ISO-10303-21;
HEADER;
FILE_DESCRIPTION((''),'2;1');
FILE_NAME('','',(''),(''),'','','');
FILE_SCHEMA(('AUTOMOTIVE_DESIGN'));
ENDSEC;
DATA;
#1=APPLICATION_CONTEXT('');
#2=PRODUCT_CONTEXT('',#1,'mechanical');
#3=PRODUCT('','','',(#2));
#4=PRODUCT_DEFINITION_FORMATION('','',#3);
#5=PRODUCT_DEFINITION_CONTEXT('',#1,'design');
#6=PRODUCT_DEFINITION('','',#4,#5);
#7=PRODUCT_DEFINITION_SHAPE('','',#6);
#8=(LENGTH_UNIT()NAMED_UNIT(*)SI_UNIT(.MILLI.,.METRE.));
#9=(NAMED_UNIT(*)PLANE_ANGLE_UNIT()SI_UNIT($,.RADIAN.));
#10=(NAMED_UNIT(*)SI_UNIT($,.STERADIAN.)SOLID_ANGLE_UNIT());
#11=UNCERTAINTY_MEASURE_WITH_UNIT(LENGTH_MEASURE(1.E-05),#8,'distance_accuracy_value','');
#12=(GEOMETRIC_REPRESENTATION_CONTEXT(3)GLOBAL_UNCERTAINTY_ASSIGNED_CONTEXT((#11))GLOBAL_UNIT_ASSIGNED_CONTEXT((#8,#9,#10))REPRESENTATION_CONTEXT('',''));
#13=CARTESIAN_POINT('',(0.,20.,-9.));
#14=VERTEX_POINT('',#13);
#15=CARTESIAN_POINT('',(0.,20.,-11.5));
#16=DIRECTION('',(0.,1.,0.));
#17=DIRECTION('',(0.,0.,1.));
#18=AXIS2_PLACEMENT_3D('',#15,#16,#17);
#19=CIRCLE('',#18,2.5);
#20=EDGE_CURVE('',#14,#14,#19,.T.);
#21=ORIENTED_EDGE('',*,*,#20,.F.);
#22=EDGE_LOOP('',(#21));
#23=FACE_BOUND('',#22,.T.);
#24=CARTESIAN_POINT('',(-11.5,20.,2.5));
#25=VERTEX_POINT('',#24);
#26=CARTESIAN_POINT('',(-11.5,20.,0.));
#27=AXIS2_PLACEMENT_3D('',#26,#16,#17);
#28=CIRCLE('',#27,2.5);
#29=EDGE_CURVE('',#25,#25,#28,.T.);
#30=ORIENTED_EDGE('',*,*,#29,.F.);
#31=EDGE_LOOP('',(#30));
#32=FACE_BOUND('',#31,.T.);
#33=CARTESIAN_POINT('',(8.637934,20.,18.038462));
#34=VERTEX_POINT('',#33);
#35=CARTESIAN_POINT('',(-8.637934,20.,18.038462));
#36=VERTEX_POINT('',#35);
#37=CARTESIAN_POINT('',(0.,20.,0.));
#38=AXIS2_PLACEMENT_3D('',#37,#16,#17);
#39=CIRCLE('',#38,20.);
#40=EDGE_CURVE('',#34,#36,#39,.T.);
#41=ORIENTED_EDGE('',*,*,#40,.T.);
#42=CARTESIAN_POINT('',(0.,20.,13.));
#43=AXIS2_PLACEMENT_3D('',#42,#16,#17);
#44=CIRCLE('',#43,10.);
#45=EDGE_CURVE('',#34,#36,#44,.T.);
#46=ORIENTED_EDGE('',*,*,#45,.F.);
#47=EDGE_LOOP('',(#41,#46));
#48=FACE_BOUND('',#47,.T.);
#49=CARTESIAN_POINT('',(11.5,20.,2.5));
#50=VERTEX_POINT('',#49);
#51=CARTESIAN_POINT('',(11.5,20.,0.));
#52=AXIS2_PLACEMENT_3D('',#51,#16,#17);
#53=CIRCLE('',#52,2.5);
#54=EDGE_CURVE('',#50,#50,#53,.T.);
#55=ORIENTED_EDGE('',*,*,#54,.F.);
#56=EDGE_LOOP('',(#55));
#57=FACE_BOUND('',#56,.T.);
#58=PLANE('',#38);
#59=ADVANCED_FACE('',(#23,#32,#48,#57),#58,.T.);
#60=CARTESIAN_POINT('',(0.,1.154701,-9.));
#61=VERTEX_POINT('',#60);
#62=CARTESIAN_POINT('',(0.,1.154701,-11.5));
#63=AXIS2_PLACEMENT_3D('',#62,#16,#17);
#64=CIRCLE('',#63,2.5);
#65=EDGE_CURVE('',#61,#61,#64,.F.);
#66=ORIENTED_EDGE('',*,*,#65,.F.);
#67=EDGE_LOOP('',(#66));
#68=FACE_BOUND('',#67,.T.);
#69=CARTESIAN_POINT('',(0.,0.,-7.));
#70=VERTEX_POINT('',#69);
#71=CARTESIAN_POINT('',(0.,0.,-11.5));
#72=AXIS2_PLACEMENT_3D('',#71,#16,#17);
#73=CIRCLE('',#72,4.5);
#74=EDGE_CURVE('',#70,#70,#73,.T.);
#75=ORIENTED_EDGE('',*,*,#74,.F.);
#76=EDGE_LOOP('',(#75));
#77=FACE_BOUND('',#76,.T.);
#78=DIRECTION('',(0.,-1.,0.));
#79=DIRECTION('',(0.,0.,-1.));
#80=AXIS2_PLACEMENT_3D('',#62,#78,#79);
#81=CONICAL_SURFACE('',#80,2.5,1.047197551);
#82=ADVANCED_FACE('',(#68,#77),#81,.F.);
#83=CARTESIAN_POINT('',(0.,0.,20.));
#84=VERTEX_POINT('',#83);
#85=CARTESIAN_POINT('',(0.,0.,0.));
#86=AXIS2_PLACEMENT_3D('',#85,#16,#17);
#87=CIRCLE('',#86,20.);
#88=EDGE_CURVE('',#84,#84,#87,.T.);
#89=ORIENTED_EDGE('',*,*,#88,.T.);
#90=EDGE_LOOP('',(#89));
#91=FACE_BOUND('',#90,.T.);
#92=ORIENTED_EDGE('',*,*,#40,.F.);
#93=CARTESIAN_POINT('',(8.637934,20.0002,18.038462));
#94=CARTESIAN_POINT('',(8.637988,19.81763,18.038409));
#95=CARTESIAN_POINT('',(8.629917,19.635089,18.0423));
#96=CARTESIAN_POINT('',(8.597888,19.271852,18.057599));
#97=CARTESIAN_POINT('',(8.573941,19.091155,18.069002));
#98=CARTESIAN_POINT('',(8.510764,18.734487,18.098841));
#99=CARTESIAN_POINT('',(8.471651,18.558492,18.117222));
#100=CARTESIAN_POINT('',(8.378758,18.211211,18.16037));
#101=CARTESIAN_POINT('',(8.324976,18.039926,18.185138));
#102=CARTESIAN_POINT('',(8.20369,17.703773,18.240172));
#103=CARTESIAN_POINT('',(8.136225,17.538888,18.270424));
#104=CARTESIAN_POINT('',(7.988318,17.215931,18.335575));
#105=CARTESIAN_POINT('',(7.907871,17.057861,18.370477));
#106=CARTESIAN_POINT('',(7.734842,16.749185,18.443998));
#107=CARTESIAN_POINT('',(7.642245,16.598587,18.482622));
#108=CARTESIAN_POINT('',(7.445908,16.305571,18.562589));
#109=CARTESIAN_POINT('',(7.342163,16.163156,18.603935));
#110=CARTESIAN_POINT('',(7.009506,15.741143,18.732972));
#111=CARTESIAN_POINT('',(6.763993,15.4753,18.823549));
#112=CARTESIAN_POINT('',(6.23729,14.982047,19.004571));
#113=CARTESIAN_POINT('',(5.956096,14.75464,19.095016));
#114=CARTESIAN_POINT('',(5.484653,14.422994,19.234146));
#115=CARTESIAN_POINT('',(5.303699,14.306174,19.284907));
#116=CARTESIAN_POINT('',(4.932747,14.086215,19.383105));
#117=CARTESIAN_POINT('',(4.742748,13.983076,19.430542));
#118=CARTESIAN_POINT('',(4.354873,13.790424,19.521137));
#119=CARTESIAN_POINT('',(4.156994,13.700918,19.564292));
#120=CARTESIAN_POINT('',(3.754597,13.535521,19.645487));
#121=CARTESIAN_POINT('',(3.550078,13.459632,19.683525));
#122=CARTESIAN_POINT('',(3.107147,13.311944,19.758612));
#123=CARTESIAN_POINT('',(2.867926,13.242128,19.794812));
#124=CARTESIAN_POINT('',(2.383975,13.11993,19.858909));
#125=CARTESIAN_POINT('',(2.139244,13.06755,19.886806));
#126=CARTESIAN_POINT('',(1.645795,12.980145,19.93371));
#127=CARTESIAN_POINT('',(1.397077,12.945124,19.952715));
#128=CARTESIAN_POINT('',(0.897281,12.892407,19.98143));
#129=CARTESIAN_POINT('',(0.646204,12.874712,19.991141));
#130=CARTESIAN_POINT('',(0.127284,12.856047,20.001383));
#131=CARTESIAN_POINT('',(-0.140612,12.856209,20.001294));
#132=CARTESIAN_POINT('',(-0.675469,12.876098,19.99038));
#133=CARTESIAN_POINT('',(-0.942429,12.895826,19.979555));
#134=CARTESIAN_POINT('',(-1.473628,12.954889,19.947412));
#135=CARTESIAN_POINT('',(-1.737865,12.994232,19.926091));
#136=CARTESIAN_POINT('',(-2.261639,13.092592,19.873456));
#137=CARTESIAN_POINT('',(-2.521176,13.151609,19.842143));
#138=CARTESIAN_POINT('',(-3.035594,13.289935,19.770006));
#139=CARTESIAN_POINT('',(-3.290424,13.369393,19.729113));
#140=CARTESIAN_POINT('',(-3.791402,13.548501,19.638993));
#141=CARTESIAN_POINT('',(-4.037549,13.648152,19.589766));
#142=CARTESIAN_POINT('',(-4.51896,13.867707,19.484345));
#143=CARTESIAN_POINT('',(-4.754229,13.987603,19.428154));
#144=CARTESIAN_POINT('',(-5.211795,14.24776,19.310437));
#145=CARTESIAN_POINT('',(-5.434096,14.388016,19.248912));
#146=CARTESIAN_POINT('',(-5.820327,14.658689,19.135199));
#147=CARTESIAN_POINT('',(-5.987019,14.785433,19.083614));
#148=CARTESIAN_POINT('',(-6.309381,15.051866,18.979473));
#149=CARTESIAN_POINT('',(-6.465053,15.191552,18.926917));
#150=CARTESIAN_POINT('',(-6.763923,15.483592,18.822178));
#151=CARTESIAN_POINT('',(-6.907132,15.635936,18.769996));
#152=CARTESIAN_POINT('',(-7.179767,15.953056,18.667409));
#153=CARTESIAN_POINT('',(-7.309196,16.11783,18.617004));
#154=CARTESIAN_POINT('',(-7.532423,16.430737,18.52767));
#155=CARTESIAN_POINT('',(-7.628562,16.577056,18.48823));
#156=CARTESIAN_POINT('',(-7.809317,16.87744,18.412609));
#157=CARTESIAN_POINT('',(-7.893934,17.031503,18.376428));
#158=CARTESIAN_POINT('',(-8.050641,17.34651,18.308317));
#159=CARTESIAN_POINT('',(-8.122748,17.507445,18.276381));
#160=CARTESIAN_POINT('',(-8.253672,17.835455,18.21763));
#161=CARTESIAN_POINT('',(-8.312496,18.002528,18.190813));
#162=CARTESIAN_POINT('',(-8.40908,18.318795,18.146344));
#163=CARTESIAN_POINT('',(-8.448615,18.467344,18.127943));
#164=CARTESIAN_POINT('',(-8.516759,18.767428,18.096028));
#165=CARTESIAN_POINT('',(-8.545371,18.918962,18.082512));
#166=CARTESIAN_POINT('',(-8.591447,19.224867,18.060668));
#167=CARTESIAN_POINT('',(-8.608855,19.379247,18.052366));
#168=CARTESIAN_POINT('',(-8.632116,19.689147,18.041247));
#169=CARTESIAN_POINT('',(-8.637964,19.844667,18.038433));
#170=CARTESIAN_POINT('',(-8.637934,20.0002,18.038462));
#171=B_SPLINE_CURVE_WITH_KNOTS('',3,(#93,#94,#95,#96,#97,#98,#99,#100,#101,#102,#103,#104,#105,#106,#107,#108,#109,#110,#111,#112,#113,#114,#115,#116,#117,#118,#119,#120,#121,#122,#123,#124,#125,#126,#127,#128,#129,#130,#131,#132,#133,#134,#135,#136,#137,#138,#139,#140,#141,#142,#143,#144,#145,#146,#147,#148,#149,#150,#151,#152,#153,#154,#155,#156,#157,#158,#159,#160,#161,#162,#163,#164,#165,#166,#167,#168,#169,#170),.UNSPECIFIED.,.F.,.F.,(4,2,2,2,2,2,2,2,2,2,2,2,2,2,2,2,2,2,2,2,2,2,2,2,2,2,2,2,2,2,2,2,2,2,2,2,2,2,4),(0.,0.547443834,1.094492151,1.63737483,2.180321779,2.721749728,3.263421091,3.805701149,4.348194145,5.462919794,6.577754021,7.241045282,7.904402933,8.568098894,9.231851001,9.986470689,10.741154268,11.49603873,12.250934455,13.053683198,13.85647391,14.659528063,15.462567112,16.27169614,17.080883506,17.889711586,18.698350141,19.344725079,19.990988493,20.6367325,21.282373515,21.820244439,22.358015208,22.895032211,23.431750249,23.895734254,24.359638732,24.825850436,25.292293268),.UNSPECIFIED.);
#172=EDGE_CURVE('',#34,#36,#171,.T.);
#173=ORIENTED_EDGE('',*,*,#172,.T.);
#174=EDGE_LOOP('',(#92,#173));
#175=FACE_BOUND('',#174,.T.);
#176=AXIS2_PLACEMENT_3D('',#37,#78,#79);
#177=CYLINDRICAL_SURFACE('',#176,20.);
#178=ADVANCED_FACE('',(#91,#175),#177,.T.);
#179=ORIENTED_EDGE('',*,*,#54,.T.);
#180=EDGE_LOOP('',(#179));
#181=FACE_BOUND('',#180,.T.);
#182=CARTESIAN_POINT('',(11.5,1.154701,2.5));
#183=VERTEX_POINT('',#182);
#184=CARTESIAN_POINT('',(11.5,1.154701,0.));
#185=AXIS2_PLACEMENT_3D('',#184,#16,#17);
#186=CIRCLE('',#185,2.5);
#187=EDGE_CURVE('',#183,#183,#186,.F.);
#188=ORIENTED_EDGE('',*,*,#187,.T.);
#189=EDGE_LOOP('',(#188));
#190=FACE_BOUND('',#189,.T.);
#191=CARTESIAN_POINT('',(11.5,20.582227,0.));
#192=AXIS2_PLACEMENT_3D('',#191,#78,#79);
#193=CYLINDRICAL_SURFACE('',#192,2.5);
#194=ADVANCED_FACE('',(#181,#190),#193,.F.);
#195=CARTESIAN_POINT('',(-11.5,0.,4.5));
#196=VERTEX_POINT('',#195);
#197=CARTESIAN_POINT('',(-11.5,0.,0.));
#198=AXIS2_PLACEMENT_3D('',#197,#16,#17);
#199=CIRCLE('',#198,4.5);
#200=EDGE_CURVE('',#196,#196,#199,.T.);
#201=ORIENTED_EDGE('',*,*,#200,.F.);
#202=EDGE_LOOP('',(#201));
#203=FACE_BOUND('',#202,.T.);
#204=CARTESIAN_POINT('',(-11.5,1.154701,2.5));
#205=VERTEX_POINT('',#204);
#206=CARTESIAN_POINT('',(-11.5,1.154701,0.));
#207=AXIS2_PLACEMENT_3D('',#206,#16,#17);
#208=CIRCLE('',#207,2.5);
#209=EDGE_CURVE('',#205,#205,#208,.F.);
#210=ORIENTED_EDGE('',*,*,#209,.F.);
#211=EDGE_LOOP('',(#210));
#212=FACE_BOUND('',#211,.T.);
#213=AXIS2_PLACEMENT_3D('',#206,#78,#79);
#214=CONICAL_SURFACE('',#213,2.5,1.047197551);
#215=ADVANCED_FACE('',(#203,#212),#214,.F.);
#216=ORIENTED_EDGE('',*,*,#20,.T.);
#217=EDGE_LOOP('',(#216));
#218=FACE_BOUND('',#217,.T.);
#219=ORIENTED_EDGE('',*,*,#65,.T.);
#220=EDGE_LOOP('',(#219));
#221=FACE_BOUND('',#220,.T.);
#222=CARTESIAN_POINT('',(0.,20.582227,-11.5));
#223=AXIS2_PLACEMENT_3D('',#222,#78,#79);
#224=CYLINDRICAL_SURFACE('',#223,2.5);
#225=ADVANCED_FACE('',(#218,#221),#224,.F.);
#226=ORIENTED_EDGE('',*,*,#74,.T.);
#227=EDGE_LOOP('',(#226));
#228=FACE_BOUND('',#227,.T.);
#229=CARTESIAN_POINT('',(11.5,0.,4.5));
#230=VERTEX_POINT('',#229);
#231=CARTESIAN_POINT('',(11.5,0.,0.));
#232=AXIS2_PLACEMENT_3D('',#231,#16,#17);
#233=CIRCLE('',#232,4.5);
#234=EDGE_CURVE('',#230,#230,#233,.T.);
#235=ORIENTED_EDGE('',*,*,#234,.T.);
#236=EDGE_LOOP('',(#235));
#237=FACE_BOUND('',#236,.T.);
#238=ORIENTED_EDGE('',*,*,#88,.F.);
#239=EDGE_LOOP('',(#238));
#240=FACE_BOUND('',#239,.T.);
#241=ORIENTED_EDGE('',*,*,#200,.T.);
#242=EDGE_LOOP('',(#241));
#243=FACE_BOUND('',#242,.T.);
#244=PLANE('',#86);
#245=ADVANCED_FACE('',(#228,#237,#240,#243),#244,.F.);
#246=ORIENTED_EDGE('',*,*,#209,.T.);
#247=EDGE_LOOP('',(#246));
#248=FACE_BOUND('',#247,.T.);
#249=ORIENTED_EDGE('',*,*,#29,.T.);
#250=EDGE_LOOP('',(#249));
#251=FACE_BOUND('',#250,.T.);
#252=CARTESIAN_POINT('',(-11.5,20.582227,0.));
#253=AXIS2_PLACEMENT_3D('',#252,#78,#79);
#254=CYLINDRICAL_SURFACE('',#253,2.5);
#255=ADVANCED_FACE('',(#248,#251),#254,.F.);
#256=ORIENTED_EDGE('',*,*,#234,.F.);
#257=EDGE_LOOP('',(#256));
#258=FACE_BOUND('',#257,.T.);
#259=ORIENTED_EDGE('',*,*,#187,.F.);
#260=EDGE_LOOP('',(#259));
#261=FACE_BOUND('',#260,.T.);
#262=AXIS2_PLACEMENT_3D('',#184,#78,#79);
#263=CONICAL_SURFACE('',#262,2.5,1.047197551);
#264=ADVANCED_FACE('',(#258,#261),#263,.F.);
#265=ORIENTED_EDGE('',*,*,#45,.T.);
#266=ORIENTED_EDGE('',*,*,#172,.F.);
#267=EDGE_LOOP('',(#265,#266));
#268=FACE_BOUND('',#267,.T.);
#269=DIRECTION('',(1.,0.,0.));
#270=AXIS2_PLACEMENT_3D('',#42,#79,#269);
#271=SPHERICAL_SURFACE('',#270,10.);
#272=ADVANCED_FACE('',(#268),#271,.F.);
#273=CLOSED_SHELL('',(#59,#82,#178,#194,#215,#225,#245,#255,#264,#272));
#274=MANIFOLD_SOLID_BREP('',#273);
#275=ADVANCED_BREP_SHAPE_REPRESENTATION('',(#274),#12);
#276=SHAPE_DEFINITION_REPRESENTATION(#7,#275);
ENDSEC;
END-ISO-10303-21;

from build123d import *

# Parameters (mm, degrees)
SKETCH_1_R          = 20
EXTRUDE_1_DEPTH     = 20
SKETCH_4_R          = 2.5
CUT_EXTRUDE_1_DEPTH = 35.641016325
CHAMFER_1_SIZE      = 2
CHAMFER_1_SIZE2     = 1.154700538


with BuildPart() as part:
    # 草图1 → 凸台-拉伸1 (new body)
    with BuildSketch(Plane(origin=(0, 0, 0), x_dir=(1, 0, 0), z_dir=(0, 1, 0))):
        with Locations(Location((0, 0, 0), (0, 0, 270))):
            Circle(SKETCH_1_R)
    extrude(amount=EXTRUDE_1_DEPTH)

    # 草图2 → 切除-旋转1 (revolve, cut)
    with BuildSketch(Plane(origin=(0, 20, 0), x_dir=(1, 0, 0), z_dir=(0, 1, 0))):
        with BuildLine():
            Line((0, -3), (0, -23))
            ThreePointArc((0, -23), (-10, -13), (0, -3))
        make_face()
    revolve(axis=Axis((0, 20, 3), (0, 0, 1)), mode=Mode.SUBTRACT)

    # 草图4 → 切除-拉伸1 (cut, through all)
    with BuildSketch(Plane.XZ):
        with Locations(Location((0, -11.5, 0), (0, 0, 270))):
            Circle(SKETCH_4_R)
        with Locations(Location((11.5, 0, 0), (0, 0, 270))):
            Circle(SKETCH_4_R)
        with Locations(Location((-11.5, 0, 0), (0, 0, 270))):
            Circle(SKETCH_4_R)
    extrude(amount=-CUT_EXTRUDE_1_DEPTH, mode=Mode.SUBTRACT)

    # 倒角1
    chamfer_1_edges = [part.edges().sort_by_distance(p)[0] for p in [
        (0, 0, -9),
        (11.5, 0, 2.5),
        (-11.5, 0, 2.5),
    ]]
    chamfer_1_side = [part.faces().sort_by_distance(p)[0] for p in [
        (0, 0, 0.18852459),
    ]]
    chamfer(chamfer_1_edges, length=CHAMFER_1_SIZE, length2=CHAMFER_1_SIZE2, reference=chamfer_1_side[0])


solid = part.part
